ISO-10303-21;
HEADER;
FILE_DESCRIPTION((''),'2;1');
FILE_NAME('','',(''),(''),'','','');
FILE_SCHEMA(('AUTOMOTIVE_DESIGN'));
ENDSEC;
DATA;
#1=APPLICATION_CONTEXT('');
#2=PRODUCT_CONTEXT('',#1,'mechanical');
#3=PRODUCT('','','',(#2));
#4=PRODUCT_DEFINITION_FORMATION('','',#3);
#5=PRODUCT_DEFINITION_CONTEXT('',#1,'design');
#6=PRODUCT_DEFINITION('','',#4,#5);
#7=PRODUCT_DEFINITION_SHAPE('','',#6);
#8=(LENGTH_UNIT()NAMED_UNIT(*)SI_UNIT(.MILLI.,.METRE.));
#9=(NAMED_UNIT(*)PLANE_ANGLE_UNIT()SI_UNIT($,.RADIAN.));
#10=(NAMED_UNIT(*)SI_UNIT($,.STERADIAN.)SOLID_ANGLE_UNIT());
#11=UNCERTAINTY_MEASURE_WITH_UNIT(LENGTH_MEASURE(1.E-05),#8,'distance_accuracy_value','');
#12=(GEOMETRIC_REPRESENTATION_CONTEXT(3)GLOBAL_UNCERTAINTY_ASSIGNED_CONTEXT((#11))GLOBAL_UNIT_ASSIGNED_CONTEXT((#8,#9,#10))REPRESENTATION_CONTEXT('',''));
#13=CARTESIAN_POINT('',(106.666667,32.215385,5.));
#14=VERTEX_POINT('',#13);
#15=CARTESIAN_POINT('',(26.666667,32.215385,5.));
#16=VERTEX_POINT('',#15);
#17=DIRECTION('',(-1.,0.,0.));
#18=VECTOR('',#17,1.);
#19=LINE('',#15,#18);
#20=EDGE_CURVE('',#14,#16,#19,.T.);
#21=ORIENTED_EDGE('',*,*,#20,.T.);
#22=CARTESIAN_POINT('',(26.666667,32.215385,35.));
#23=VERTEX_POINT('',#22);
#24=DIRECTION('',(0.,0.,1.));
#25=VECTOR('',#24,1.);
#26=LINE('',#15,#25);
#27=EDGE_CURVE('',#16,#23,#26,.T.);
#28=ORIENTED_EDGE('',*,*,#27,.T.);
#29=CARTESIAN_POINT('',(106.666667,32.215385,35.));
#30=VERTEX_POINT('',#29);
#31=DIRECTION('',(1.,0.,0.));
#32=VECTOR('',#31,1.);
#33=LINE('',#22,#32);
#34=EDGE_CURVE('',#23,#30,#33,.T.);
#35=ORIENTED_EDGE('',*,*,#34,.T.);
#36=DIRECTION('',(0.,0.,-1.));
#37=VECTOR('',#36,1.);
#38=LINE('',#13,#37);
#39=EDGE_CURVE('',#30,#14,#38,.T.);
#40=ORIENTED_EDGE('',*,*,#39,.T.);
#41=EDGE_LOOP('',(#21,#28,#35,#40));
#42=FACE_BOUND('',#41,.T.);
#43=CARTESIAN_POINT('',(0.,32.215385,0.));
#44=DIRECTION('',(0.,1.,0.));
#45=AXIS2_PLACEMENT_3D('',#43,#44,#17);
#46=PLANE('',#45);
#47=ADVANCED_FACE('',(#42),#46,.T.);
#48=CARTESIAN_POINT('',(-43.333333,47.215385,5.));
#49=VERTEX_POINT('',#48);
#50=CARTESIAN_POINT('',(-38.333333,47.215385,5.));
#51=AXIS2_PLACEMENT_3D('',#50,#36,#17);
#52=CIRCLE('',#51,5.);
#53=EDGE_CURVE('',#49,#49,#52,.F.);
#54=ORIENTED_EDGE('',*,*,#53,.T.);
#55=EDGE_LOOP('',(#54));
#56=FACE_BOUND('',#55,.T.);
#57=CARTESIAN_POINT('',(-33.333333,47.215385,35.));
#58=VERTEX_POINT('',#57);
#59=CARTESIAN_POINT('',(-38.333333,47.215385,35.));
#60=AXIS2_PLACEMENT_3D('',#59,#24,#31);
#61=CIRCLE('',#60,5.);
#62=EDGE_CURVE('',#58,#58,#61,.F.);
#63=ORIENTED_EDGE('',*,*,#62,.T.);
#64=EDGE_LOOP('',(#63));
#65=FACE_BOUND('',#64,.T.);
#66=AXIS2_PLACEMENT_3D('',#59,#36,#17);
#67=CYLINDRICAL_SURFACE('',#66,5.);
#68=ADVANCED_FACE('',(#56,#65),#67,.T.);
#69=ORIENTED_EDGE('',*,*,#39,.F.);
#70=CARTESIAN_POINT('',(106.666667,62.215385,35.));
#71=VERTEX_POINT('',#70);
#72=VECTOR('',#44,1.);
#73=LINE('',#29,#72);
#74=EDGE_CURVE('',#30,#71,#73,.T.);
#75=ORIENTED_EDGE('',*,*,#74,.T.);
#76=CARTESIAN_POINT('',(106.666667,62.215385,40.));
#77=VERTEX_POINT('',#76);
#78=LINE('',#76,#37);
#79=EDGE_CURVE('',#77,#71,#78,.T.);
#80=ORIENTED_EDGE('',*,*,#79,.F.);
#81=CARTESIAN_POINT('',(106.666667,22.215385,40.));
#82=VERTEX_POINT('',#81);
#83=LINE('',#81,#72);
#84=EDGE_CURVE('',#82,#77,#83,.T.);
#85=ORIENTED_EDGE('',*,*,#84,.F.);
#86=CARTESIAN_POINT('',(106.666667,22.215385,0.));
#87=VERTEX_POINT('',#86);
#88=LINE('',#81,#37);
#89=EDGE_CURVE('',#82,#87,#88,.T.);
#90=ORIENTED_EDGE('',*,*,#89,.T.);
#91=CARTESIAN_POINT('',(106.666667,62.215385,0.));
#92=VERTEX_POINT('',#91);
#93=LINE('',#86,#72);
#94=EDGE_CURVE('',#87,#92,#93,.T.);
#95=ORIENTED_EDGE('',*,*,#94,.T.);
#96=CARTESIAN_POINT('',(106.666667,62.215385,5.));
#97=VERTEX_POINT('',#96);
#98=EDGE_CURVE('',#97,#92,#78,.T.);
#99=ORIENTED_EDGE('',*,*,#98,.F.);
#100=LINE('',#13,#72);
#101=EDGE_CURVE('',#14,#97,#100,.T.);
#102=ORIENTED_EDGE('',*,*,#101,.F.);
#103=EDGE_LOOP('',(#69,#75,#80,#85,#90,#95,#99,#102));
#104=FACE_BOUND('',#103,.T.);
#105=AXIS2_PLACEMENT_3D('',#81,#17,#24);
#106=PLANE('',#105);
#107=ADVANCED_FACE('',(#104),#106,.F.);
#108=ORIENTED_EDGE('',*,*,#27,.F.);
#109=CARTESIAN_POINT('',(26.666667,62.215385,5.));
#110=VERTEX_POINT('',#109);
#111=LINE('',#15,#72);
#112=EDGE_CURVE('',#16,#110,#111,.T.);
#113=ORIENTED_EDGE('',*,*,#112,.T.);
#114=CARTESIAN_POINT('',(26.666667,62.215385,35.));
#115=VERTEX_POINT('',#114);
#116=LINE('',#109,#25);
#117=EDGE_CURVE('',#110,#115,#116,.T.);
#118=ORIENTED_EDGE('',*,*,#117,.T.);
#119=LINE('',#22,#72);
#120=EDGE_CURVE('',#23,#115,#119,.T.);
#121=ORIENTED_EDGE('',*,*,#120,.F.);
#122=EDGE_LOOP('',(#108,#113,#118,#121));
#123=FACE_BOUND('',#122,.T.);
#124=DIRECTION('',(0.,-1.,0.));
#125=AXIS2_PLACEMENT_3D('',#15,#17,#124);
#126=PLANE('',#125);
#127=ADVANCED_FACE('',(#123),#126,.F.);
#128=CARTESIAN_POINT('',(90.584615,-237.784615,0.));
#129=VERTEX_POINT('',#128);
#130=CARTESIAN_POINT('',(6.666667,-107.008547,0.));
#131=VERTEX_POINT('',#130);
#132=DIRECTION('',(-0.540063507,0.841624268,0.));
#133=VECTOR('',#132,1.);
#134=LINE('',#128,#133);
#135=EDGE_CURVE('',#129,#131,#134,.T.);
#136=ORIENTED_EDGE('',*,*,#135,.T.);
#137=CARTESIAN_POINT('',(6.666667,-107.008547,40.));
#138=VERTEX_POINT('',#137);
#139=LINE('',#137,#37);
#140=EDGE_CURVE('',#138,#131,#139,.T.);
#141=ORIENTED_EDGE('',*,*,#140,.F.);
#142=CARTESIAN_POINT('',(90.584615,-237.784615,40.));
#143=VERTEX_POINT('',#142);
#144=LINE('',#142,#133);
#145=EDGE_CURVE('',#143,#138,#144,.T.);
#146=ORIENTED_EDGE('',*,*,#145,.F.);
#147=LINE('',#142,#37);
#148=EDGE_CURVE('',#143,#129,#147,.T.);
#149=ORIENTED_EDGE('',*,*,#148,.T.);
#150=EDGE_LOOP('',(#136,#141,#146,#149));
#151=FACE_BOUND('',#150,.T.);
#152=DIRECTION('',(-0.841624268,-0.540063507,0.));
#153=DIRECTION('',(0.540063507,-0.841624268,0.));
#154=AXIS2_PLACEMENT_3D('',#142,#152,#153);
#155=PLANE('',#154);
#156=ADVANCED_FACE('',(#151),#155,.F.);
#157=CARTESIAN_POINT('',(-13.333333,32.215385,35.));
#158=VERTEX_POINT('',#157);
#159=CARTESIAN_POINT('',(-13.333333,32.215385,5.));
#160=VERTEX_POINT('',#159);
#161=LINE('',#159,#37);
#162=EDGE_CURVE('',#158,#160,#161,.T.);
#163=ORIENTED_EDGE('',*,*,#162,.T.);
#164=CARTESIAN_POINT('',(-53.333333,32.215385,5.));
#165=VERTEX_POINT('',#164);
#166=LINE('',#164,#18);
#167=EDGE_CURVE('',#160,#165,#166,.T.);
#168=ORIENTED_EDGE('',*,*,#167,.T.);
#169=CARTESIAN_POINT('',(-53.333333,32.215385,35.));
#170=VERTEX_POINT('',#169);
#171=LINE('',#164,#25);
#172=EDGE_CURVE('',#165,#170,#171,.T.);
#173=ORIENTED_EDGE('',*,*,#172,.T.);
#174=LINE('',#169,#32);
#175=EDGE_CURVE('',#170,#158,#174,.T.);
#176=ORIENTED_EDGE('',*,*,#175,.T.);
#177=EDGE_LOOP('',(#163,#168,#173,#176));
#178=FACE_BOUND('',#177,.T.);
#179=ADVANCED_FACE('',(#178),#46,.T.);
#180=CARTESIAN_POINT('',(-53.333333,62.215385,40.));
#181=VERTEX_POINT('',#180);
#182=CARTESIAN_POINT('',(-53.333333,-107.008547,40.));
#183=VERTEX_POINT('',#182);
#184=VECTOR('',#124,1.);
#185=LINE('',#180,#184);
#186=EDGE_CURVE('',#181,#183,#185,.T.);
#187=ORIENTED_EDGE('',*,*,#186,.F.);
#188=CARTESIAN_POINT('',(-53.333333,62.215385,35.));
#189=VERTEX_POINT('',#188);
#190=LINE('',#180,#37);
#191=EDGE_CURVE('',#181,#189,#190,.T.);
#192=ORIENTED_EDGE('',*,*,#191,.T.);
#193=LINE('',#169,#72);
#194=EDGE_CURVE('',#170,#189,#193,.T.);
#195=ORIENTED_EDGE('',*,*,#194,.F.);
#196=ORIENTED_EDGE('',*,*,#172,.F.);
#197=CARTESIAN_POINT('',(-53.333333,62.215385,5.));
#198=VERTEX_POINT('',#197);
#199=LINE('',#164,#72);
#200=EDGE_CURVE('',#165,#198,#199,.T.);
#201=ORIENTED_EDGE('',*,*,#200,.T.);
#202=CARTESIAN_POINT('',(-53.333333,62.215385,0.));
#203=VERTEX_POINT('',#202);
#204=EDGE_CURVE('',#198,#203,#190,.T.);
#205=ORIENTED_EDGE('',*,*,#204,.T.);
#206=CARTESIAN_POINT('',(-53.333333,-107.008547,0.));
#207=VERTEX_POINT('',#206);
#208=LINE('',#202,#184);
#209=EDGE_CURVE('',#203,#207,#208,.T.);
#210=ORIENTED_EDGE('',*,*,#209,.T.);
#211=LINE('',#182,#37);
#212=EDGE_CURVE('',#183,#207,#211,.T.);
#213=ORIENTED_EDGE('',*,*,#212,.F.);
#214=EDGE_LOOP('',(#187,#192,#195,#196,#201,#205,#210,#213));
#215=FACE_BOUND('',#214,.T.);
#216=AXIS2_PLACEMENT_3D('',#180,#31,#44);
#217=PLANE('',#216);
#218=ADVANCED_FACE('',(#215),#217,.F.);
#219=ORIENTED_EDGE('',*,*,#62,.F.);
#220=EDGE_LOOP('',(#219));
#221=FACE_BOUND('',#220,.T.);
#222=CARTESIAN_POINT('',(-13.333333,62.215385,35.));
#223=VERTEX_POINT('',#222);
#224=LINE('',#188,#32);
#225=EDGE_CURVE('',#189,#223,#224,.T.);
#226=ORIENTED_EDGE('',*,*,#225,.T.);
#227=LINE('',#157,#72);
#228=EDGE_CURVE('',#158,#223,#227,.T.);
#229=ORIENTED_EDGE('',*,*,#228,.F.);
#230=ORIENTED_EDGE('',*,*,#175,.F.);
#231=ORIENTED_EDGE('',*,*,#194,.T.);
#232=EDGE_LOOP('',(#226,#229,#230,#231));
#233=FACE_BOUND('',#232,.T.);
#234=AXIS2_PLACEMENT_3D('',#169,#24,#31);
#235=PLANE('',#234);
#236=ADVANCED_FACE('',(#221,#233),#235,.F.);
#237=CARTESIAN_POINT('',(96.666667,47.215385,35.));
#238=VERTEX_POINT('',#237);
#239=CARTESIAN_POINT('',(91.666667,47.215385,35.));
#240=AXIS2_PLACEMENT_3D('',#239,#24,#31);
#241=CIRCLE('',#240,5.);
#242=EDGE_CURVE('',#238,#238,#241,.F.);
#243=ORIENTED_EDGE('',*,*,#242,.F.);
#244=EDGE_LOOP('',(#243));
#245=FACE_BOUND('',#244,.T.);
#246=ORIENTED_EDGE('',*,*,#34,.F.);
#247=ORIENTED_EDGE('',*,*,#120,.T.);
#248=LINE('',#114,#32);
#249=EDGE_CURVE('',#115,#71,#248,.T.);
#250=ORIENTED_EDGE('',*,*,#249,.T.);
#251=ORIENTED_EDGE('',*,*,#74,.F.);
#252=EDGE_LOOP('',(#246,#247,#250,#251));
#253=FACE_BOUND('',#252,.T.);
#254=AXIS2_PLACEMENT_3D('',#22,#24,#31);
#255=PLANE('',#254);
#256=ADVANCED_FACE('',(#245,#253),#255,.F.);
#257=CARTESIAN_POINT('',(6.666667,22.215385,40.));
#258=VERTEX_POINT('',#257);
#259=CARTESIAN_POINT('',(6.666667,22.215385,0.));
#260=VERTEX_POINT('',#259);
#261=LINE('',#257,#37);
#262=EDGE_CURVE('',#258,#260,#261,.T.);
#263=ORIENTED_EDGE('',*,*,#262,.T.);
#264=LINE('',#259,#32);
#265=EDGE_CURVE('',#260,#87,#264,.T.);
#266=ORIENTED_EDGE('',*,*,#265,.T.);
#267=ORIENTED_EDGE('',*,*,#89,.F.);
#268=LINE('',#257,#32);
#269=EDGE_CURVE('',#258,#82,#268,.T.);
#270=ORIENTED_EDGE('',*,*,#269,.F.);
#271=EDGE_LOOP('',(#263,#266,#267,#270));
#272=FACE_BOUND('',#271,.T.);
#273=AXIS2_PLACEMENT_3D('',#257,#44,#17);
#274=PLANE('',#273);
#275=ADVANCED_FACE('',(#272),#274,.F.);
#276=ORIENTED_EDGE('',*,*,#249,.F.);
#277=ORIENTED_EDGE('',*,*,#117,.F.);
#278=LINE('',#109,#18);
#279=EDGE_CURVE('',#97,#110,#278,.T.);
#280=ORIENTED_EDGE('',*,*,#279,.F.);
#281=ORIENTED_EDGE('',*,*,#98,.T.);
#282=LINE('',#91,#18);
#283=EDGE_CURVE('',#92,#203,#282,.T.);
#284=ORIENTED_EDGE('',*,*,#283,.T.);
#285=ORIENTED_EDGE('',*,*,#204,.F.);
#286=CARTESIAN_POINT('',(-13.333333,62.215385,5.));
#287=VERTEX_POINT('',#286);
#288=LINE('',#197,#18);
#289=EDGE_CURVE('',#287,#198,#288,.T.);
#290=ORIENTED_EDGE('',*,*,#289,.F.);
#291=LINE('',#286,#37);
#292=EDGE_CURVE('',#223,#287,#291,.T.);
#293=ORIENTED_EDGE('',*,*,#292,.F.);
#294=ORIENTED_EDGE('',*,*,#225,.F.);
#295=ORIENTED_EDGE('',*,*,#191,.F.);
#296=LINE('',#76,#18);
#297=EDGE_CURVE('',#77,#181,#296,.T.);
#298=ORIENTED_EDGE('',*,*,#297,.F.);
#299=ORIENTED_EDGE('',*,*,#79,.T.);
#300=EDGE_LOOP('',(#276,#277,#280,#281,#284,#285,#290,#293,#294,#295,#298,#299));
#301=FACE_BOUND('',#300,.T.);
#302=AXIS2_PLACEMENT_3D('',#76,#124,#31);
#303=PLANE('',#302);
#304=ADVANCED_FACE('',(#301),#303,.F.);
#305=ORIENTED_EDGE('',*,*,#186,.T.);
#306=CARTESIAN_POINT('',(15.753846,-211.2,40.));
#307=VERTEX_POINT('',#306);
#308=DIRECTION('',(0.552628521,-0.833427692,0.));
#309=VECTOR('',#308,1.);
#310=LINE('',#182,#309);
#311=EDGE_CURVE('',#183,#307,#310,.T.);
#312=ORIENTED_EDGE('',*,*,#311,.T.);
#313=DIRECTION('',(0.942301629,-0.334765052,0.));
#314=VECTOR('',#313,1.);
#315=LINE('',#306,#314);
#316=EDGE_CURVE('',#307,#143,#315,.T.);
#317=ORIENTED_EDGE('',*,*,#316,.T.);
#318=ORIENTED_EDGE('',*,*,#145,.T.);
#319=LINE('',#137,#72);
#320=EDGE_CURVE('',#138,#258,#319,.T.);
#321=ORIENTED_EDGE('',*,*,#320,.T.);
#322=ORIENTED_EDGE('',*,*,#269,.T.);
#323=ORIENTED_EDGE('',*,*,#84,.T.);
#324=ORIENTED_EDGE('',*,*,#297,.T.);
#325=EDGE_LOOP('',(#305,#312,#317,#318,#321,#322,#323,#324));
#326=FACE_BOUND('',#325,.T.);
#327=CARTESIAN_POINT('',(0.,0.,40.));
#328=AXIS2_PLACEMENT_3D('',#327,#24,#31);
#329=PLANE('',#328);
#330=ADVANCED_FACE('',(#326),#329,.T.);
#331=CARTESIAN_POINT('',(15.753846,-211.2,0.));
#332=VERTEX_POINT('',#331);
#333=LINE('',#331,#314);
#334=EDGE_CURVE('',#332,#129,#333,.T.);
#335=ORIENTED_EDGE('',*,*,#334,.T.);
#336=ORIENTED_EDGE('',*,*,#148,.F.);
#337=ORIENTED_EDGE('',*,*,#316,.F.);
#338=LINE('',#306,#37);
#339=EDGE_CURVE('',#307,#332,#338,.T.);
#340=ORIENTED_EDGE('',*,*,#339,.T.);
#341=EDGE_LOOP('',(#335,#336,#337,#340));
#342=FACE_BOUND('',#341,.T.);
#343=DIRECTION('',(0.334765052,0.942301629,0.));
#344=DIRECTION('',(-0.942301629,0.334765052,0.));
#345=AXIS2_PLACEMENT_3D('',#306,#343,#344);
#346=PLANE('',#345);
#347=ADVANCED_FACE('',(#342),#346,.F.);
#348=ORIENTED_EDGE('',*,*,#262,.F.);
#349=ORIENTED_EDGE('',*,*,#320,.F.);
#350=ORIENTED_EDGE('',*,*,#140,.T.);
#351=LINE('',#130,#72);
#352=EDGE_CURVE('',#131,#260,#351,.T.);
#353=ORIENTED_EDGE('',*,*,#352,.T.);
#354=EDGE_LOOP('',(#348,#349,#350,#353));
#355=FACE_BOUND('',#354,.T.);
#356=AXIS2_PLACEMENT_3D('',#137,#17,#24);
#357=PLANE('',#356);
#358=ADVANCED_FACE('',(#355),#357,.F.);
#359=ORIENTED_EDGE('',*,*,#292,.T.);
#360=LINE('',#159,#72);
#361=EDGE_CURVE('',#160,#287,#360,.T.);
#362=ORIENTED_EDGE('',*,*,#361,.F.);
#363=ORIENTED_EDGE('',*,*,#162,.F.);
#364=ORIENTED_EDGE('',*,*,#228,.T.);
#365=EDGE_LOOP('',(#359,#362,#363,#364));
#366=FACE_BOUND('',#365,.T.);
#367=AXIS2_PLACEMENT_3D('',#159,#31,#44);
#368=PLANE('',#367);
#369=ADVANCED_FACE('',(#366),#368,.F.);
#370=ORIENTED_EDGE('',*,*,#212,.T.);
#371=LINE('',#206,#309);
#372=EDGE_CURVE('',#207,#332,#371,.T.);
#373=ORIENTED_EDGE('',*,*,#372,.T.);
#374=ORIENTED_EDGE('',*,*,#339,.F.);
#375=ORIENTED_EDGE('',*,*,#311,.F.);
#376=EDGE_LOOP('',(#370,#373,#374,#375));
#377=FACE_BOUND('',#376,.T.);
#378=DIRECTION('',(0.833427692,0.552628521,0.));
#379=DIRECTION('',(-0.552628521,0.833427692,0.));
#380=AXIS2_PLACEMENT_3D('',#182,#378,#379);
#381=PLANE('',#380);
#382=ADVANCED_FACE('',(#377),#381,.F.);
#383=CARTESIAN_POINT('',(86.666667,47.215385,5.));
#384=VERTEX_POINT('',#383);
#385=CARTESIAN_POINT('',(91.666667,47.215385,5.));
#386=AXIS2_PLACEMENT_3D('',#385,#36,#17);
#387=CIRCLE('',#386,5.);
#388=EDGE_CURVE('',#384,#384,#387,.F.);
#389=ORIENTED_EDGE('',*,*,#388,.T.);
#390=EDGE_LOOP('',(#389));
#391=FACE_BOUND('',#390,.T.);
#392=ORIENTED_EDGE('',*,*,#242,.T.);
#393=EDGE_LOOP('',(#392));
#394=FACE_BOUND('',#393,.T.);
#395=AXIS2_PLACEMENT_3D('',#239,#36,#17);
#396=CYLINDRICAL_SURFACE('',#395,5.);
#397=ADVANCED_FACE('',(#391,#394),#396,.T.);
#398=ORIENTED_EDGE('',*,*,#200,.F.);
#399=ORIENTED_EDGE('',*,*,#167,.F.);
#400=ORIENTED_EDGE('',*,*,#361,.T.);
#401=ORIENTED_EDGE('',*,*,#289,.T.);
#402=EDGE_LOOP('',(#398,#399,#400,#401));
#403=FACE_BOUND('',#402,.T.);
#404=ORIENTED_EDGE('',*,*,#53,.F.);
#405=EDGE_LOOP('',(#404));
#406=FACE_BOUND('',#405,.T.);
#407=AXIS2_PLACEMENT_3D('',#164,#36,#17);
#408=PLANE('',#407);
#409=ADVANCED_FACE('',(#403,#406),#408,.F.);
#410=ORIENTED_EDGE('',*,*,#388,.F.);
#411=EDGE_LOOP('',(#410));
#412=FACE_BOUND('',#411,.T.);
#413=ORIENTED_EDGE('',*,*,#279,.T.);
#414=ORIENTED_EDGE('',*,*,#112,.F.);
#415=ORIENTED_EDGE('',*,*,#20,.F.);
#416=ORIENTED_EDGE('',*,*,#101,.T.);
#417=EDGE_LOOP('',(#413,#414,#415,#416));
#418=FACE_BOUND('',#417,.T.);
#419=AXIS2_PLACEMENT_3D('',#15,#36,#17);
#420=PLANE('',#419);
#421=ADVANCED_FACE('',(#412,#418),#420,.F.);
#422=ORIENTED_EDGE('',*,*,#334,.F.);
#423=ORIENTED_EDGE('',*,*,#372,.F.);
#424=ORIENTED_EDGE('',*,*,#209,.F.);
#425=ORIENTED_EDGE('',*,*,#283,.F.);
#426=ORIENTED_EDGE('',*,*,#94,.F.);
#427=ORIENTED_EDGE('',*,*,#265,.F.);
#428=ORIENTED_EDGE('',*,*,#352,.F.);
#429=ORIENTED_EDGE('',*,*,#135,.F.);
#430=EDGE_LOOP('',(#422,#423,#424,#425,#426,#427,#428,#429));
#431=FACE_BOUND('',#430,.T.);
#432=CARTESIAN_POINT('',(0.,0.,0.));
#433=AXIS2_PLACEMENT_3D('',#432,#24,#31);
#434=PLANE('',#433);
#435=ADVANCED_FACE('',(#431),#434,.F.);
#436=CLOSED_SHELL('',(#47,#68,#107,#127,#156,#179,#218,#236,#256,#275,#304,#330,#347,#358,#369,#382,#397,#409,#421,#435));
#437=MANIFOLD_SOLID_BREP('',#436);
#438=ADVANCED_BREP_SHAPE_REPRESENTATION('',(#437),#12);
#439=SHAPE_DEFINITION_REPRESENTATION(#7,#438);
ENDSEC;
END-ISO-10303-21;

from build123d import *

# Parameters (mm, degrees)
BOSS_EXTRUDE2_DEPTH = 40
SKETCH2_W           = 40
SKETCH2_H           = 30
CUT_EXTRUDE1_DEPTH  = 30
SKETCH3_R           = 5
BOSS_EXTRUDE3_DEPTH = 30
SKETCH4_W           = 80
SKETCH4_H           = 30
CUT_EXTRUDE2_DEPTH  = 30
SKETCH5_R           = 5
BOSS_EXTRUDE4_DEPTH = 30


with BuildPart() as part:
    # Sketch1 → Boss-Extrude2 (new body)
    with BuildSketch(Plane.XY):
        Polygon((106.666666667, 22.215384615), (106.666666667, 62.215384615), (-53.333333333, 62.215384615), (-53.333333333, -107.008547009), (15.753846154, -211.2), (90.584615385, -237.784615385), (6.666666667, -107.008547009), (6.666666667, 22.215384615), align=None)
    extrude(amount=BOSS_EXTRUDE2_DEPTH)

    # Sketch2 → Cut-Extrude1 (cut)
    with BuildSketch(Plane(origin=(0, 62.215384615, 0), x_dir=(1, 0, 0), z_dir=(0, 1, 0))):
        with Locations((-33.333333333, -20)):
            Rectangle(SKETCH2_W, SKETCH2_H)
    extrude(amount=-CUT_EXTRUDE1_DEPTH, mode=Mode.SUBTRACT)

    # Sketch3 → Boss-Extrude3 (add)
    with BuildSketch(Plane.XY.offset(5)):
        with Locations(Location((-38.333333333, 47.215384615, 0), (0, 0, 180))):
            Circle(SKETCH3_R)
    extrude(amount=BOSS_EXTRUDE3_DEPTH)

    # Sketch4 → Cut-Extrude2 (cut)
    with BuildSketch(Plane(origin=(0, 62.215384615, 0), x_dir=(1, 0, 0), z_dir=(0, 1, 0))):
        with Locations((66.666666667, -20)):
            Rectangle(SKETCH4_W, SKETCH4_H)
    extrude(amount=-CUT_EXTRUDE2_DEPTH, mode=Mode.SUBTRACT)

    # Sketch5 → Boss-Extrude4 (add)
    with BuildSketch(Plane.XY.offset(5)):
        with Locations(Location((91.666666667, 47.215384615, 0), (0, 0, 180))):
            Circle(SKETCH5_R)
    extrude(amount=BOSS_EXTRUDE4_DEPTH)


solid = part.part
